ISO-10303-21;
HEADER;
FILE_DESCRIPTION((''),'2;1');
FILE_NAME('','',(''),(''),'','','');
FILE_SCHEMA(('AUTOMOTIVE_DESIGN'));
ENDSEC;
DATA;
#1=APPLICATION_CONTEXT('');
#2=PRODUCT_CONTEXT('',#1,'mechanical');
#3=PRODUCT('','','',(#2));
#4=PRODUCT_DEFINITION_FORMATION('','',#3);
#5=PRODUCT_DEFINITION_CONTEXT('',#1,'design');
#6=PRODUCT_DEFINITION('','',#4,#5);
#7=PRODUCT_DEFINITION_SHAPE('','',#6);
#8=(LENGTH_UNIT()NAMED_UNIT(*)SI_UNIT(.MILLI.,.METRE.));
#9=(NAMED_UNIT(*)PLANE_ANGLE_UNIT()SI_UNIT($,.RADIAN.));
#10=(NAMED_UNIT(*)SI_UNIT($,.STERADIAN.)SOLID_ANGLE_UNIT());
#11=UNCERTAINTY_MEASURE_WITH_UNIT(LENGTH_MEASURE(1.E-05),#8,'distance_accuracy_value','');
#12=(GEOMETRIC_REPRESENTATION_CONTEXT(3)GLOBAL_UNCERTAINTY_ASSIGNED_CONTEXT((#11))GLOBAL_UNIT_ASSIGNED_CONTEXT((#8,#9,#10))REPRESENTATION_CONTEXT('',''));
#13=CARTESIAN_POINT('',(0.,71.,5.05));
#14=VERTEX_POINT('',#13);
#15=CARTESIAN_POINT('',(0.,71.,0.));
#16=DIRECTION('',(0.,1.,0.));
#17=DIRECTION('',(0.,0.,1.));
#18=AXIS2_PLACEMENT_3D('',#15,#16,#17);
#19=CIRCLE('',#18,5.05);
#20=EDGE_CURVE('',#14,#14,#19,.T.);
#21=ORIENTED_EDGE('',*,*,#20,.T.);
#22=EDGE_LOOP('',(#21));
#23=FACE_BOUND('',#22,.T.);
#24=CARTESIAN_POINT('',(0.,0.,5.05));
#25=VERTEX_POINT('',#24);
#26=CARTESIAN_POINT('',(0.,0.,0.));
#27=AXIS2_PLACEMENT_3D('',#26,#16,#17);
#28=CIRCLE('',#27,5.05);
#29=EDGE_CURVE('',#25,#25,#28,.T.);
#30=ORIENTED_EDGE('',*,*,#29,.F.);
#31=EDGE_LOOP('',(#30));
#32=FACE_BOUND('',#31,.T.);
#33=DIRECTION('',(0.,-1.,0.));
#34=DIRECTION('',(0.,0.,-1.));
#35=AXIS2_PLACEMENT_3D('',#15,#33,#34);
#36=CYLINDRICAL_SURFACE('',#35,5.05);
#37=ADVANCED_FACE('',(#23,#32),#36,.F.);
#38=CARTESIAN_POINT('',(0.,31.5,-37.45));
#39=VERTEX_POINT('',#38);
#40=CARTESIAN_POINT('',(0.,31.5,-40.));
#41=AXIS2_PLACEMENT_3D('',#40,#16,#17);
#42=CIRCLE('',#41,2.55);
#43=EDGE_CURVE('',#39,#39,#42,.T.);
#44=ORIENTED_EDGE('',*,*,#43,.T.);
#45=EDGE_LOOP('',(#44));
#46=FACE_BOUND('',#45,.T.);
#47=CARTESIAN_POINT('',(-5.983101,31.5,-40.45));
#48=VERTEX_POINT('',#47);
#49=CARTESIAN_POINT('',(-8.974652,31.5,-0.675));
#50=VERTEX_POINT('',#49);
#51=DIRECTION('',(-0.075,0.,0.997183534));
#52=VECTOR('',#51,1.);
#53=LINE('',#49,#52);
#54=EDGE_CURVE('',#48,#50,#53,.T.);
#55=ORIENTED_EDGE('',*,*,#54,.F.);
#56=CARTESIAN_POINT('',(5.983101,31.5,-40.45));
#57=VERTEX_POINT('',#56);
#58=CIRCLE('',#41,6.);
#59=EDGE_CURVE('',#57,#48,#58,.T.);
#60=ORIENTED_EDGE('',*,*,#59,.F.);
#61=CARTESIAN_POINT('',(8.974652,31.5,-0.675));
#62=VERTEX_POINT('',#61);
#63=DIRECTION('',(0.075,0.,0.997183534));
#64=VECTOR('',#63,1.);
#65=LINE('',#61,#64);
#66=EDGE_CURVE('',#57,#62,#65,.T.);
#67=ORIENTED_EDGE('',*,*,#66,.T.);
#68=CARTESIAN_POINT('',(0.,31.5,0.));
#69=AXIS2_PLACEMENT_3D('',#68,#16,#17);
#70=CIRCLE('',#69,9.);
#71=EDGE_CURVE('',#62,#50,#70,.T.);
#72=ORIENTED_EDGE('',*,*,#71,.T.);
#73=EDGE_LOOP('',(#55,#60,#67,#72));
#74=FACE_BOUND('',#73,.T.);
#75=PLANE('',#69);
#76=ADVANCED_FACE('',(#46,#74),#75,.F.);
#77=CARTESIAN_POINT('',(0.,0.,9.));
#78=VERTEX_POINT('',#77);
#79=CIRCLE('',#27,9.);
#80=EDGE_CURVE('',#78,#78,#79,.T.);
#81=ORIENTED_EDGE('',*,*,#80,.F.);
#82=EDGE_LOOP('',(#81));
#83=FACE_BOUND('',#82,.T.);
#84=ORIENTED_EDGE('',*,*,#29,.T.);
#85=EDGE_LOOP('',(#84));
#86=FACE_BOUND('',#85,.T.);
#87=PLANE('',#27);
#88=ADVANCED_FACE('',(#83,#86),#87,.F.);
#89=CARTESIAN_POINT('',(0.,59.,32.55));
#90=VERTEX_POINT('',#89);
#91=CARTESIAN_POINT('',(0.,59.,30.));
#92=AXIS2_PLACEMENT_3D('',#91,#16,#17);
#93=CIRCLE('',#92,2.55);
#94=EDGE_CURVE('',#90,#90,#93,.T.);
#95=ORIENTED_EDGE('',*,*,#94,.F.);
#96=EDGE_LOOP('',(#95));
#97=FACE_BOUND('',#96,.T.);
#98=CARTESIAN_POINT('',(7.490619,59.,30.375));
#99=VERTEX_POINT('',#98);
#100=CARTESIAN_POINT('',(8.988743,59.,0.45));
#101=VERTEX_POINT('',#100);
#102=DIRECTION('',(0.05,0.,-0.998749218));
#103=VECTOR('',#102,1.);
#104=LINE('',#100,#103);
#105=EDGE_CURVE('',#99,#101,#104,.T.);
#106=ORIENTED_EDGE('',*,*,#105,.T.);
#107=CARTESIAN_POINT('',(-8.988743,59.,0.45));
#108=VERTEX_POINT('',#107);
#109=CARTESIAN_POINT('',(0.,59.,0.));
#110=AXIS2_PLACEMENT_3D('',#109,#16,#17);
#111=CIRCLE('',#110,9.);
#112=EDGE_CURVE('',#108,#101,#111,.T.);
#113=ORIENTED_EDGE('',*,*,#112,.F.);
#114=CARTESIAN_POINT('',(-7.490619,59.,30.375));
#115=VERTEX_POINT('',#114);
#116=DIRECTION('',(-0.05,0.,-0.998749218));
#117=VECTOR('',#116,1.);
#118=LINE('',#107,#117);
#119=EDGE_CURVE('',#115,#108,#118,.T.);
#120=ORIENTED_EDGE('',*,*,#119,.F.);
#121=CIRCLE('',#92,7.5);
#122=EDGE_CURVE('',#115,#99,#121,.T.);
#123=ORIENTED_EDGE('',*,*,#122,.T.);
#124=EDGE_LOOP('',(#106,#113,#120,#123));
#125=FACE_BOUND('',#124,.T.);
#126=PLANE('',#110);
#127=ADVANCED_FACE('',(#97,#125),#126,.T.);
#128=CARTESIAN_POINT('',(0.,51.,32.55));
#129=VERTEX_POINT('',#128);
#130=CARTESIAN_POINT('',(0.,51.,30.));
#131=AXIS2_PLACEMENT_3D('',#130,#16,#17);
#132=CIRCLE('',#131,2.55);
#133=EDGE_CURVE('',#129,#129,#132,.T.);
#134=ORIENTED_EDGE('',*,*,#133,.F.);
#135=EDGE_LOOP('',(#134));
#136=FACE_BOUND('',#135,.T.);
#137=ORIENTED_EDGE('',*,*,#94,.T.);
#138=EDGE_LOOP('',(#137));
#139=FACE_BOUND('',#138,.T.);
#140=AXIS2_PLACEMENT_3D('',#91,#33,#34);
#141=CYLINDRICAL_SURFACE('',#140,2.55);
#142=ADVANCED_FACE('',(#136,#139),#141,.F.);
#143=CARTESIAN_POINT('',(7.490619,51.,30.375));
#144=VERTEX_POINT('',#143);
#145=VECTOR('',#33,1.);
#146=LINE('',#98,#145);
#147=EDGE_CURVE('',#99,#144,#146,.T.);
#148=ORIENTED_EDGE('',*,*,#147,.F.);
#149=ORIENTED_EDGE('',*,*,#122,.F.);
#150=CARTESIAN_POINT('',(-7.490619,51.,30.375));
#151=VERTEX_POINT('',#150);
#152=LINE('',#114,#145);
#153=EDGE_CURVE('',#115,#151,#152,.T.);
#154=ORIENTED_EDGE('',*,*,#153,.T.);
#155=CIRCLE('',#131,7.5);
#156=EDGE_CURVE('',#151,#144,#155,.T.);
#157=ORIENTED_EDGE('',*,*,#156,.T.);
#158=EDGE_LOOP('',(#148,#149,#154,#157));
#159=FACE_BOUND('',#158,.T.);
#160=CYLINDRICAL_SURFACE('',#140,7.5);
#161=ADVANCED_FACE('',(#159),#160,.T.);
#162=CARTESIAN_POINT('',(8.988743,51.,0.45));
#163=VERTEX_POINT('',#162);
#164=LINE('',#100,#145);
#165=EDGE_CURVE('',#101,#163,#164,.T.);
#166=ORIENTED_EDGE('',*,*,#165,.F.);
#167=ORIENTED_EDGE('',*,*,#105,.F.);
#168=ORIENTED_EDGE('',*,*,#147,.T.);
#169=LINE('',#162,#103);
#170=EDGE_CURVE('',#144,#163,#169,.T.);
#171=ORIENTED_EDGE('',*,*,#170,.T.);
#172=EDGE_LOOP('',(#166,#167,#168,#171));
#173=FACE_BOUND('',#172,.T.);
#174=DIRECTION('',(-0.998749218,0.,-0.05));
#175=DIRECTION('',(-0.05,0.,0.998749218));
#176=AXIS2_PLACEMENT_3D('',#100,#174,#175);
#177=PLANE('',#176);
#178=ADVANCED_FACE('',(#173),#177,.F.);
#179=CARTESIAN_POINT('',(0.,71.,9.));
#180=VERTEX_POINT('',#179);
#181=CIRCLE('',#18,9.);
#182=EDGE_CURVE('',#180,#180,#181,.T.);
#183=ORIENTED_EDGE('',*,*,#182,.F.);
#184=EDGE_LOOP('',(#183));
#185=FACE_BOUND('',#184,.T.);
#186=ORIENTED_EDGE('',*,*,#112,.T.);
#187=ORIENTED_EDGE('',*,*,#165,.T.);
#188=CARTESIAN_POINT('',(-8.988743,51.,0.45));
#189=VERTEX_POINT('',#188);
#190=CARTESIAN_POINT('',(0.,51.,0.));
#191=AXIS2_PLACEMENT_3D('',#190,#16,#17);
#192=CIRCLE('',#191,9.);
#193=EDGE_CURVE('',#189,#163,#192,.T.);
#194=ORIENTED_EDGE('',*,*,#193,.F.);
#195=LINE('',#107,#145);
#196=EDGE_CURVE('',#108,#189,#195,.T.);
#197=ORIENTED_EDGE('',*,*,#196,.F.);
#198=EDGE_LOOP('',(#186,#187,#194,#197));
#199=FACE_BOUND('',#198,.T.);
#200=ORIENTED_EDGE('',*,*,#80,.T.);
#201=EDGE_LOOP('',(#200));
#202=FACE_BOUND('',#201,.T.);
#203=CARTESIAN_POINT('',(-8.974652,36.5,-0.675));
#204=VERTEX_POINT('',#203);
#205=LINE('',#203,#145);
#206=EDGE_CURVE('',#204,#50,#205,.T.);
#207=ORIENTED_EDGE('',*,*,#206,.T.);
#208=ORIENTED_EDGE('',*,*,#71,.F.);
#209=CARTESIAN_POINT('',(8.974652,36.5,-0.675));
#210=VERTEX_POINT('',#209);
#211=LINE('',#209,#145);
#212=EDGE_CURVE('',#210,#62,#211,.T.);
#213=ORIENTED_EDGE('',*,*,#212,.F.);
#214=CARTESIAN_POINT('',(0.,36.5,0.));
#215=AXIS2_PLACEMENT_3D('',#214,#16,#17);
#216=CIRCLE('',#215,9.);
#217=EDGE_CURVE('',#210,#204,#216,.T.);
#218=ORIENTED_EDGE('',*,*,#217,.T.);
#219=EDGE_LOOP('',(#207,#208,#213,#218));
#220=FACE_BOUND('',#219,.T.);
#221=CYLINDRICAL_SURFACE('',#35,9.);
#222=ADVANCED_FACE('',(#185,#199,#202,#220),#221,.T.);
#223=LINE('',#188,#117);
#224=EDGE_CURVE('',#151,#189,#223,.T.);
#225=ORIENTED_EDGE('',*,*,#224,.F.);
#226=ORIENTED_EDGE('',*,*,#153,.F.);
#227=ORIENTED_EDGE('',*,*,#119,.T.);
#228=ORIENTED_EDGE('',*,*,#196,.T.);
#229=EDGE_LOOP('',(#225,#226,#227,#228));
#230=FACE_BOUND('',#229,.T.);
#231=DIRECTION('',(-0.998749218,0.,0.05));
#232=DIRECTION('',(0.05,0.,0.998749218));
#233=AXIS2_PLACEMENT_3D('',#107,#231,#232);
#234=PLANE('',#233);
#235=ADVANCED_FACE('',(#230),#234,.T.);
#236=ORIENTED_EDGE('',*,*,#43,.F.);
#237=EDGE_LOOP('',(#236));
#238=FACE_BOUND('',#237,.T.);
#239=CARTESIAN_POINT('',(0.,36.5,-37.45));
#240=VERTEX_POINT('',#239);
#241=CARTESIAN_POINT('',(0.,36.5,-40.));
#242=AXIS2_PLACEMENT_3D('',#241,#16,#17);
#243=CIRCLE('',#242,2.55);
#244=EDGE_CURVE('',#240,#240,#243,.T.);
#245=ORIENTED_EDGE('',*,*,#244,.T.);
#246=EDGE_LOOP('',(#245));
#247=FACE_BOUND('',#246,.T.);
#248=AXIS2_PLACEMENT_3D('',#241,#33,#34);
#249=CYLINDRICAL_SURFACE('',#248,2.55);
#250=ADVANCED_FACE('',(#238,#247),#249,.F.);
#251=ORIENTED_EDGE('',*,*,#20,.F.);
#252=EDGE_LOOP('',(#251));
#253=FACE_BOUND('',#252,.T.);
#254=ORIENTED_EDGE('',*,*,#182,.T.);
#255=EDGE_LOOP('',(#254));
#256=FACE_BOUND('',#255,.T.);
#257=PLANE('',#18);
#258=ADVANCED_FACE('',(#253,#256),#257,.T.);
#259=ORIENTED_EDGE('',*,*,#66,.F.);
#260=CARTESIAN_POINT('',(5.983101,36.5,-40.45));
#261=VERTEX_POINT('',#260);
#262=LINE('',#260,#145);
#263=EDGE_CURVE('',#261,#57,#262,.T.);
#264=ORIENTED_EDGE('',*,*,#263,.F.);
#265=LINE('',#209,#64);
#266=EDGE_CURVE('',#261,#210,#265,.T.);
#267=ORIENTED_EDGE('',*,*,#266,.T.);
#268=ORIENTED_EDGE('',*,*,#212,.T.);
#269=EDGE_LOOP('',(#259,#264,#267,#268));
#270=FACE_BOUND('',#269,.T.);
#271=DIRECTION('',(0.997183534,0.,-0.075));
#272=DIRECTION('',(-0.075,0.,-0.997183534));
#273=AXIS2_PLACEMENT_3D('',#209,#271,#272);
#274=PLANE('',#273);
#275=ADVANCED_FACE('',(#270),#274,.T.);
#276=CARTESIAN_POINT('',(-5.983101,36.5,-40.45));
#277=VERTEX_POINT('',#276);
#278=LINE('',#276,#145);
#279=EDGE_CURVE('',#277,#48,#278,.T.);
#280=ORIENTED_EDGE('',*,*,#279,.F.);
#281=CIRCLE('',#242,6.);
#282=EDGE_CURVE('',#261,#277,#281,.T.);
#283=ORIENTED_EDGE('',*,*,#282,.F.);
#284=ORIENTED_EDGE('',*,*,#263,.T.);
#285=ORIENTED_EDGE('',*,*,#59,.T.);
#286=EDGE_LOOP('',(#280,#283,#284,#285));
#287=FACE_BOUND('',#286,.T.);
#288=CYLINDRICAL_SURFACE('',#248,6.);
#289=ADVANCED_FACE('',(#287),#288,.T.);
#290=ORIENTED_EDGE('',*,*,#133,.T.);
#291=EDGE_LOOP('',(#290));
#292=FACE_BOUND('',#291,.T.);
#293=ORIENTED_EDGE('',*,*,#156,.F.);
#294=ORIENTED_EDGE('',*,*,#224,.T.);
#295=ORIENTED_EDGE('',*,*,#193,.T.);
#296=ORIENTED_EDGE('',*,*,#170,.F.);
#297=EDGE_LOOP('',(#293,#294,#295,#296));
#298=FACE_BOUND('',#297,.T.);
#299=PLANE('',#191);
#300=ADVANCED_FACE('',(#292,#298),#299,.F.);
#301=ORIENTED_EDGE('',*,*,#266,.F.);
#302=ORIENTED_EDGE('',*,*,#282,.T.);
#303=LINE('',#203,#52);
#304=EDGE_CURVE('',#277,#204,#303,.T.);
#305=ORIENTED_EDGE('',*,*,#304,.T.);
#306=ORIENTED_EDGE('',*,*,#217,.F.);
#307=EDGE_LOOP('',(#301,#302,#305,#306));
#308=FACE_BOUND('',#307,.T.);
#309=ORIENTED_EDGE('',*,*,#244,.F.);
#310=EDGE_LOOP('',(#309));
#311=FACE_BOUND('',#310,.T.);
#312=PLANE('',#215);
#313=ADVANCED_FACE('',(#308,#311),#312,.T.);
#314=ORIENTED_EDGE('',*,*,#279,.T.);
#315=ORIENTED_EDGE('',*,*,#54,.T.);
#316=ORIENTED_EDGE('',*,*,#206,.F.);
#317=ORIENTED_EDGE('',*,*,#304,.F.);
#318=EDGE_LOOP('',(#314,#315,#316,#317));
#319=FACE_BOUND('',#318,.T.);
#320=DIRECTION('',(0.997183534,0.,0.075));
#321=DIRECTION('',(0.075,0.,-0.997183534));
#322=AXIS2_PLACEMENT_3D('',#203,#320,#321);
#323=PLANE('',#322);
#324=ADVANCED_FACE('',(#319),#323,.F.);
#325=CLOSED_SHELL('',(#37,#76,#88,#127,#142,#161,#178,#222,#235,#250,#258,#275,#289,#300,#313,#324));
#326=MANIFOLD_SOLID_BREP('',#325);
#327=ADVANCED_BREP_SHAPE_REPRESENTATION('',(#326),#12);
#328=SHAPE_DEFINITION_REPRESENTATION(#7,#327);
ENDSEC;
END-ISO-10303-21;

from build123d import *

# Parameters (mm, degrees)
SKETCH_1_R      = 9
SKETCH_1_R_2    = 5.05
EXTRUDE_1_DEPTH = 71
SKETCH_2_R      = 2.55
EXTRUDE_2_DEPTH = 2.5
SKETCH_3_R      = 2.55
EXTRUDE_3_DEPTH = 4


with BuildPart() as part:
    # 草图1 → 凸台-拉伸1 (new body)
    with BuildSketch(Plane(origin=(0, 0, 0), x_dir=(1, 0, 0), z_dir=(0, 1, 0))):
        with Locations(Location((0, 0, 0), (0, 0, 270))):
            Circle(SKETCH_1_R)
        with Locations(Location((0, 0, 0), (0, 0, 270))):
            Circle(SKETCH_1_R_2, mode=Mode.SUBTRACT)
    extrude(amount=EXTRUDE_1_DEPTH)

    # 草图2 → 凸台-拉伸2 (add, symmetric)
    with BuildSketch(Plane(origin=(0, 34, 0), x_dir=(1, 0, 0), z_dir=(0, 1, 0))):
        with BuildLine():
            ThreePointArc((-8.974651804, 0.675), (0, 9), (8.974651804, 0.675))
            Line((8.974651804, 0.675), (5.983101203, 40.45))
            ThreePointArc((5.983101203, 40.45), (0, 46), (-5.983101203, 40.45))
            Line((-5.983101203, 40.45), (-8.974651804, 0.675))
        make_face()
        with Locations(Location((0, 40, 0), (0, 0, 270))):
            Circle(SKETCH_2_R, mode=Mode.SUBTRACT)
    extrude(amount=EXTRUDE_2_DEPTH, both=True)

    # 草图3 → 凸台-拉伸3 (add, symmetric)
    with BuildSketch(Plane(origin=(0, 55, 0), x_dir=(1, 0, 0), z_dir=(0, 1, 0))):
        with BuildLine():
            ThreePointArc((8.98874296, -0.45), (0, -9), (-8.98874296, -0.45))
            Line((-8.98874296, -0.45), (-7.490619133, -30.375))
            ThreePointArc((-7.490619133, -30.375), (0, -37.5), (7.490619133, -30.375))
            Line((7.490619133, -30.375), (8.98874296, -0.45))
        make_face()
        with Locations(Location((0, -30, 0), (0, 0, 270))):
            Circle(SKETCH_3_R, mode=Mode.SUBTRACT)
    extrude(amount=EXTRUDE_3_DEPTH, both=True)


solid = part.part
